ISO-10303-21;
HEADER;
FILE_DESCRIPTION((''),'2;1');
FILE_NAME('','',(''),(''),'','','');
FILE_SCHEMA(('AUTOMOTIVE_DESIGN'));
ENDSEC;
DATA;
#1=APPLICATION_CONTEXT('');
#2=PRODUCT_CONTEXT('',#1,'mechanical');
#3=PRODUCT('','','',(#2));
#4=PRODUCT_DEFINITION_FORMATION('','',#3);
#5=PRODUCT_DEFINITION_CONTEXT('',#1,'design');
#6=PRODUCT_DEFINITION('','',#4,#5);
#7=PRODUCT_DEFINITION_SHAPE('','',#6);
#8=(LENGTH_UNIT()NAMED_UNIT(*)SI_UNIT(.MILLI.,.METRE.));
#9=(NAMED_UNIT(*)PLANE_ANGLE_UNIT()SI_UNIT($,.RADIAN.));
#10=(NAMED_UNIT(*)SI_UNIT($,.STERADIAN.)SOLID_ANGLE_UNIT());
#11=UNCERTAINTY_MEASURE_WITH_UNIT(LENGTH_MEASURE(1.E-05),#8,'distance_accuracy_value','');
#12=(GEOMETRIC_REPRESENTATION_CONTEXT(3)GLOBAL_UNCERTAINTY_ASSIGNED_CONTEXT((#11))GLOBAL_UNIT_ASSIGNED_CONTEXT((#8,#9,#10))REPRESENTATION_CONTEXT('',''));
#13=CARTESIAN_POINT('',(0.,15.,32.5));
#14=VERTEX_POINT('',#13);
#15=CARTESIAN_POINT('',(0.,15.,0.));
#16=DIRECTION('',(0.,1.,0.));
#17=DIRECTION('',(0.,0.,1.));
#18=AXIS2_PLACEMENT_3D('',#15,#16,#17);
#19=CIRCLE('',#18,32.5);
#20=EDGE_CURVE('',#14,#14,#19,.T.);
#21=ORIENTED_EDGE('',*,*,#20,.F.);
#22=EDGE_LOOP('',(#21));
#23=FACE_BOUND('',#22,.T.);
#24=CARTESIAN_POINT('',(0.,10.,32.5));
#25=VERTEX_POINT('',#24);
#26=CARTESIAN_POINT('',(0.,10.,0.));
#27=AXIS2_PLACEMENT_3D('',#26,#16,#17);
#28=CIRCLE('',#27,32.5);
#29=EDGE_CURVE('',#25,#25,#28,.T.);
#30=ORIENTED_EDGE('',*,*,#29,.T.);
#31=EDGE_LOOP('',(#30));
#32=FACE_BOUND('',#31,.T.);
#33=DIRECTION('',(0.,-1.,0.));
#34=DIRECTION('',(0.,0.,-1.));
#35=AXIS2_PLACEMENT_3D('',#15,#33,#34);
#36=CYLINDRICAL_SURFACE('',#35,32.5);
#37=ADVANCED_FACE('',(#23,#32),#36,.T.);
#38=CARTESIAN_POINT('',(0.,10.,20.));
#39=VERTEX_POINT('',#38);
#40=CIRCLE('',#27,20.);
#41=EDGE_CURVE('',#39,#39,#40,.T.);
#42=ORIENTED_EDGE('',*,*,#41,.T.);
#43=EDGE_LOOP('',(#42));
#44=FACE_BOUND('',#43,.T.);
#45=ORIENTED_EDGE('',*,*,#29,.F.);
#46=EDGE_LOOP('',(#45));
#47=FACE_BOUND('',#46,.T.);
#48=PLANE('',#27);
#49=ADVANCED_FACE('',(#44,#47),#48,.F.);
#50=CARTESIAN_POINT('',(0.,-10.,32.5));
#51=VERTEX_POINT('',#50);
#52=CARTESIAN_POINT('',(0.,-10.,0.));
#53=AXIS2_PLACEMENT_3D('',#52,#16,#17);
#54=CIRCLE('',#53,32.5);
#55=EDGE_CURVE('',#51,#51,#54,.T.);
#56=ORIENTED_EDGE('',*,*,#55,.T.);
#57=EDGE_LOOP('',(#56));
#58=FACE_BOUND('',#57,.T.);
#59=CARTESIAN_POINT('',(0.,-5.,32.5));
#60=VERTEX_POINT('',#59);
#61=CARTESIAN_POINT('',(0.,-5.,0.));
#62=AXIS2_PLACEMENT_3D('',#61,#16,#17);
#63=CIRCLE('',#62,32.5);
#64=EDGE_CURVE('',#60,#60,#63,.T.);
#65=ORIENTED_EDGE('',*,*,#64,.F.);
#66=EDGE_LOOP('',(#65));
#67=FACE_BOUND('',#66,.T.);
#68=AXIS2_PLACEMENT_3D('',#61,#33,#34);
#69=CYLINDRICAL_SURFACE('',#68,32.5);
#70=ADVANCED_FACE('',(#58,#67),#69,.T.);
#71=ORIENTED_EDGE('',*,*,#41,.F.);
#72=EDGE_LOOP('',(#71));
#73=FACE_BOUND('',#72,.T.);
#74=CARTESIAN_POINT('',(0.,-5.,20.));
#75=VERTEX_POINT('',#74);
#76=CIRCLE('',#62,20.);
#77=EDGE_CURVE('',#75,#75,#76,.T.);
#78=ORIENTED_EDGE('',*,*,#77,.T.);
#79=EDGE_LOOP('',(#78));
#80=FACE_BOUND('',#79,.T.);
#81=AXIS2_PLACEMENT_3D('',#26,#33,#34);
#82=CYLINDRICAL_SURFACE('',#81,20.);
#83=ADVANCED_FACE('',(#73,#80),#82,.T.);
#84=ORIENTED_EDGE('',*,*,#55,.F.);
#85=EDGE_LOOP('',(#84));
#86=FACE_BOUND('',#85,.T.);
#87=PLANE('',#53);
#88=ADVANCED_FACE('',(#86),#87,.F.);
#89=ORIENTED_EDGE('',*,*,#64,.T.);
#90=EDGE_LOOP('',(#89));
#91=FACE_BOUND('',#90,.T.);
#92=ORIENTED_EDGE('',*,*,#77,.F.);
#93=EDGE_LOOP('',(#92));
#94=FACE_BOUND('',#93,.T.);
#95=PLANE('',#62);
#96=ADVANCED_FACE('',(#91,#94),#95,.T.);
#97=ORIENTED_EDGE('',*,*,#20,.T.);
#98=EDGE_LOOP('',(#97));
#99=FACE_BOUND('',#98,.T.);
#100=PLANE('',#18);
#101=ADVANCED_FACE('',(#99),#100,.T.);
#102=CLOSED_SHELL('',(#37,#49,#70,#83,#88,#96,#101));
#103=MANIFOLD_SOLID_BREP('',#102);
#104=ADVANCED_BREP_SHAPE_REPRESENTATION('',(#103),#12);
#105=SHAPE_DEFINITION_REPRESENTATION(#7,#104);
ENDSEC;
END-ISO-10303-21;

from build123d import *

# Parameters (mm, degrees)
SKETCH1_R           = 20
BOSS_EXTRUDE1_DEPTH = 10
SKETCH2_R           = 32.5
BOSS_EXTRUDE2_DEPTH = 5
BOSS_EXTRUDE3_START = -20
SKETCH2_2_R         = 32.5
BOSS_EXTRUDE3_DEPTH = 5


with BuildPart() as part:
    # Sketch1 → Boss-Extrude1 (new, symmetric)
    with BuildSketch(Plane(origin=(0, 0, 0), x_dir=(1, 0, 0), z_dir=(0, 1, 0))):
        with Locations(Location((0, 0, 0), (0, 0, 270))):
            Circle(SKETCH1_R)
    extrude(amount=BOSS_EXTRUDE1_DEPTH, both=True)

    # Sketch2 → Boss-Extrude2 (add)
    with BuildSketch(Plane(origin=(0, 10, 0), x_dir=(1, 0, 0), z_dir=(0, 1, 0))):
        with Locations(Location((0, 0, 0), (0, 0, 270))):
            Circle(SKETCH2_R)
    extrude(amount=BOSS_EXTRUDE2_DEPTH)

    # Sketch2<2> → Boss-Extrude3 (add)
    with BuildSketch(Plane(origin=(0, 10, 0), x_dir=(1, 0, 0), z_dir=(0, 1, 0)).offset(BOSS_EXTRUDE3_START)):
        with Locations(Location((0, 0, 0), (0, 0, 270))):
            Circle(SKETCH2_2_R)
    extrude(amount=BOSS_EXTRUDE3_DEPTH)


solid = part.part
